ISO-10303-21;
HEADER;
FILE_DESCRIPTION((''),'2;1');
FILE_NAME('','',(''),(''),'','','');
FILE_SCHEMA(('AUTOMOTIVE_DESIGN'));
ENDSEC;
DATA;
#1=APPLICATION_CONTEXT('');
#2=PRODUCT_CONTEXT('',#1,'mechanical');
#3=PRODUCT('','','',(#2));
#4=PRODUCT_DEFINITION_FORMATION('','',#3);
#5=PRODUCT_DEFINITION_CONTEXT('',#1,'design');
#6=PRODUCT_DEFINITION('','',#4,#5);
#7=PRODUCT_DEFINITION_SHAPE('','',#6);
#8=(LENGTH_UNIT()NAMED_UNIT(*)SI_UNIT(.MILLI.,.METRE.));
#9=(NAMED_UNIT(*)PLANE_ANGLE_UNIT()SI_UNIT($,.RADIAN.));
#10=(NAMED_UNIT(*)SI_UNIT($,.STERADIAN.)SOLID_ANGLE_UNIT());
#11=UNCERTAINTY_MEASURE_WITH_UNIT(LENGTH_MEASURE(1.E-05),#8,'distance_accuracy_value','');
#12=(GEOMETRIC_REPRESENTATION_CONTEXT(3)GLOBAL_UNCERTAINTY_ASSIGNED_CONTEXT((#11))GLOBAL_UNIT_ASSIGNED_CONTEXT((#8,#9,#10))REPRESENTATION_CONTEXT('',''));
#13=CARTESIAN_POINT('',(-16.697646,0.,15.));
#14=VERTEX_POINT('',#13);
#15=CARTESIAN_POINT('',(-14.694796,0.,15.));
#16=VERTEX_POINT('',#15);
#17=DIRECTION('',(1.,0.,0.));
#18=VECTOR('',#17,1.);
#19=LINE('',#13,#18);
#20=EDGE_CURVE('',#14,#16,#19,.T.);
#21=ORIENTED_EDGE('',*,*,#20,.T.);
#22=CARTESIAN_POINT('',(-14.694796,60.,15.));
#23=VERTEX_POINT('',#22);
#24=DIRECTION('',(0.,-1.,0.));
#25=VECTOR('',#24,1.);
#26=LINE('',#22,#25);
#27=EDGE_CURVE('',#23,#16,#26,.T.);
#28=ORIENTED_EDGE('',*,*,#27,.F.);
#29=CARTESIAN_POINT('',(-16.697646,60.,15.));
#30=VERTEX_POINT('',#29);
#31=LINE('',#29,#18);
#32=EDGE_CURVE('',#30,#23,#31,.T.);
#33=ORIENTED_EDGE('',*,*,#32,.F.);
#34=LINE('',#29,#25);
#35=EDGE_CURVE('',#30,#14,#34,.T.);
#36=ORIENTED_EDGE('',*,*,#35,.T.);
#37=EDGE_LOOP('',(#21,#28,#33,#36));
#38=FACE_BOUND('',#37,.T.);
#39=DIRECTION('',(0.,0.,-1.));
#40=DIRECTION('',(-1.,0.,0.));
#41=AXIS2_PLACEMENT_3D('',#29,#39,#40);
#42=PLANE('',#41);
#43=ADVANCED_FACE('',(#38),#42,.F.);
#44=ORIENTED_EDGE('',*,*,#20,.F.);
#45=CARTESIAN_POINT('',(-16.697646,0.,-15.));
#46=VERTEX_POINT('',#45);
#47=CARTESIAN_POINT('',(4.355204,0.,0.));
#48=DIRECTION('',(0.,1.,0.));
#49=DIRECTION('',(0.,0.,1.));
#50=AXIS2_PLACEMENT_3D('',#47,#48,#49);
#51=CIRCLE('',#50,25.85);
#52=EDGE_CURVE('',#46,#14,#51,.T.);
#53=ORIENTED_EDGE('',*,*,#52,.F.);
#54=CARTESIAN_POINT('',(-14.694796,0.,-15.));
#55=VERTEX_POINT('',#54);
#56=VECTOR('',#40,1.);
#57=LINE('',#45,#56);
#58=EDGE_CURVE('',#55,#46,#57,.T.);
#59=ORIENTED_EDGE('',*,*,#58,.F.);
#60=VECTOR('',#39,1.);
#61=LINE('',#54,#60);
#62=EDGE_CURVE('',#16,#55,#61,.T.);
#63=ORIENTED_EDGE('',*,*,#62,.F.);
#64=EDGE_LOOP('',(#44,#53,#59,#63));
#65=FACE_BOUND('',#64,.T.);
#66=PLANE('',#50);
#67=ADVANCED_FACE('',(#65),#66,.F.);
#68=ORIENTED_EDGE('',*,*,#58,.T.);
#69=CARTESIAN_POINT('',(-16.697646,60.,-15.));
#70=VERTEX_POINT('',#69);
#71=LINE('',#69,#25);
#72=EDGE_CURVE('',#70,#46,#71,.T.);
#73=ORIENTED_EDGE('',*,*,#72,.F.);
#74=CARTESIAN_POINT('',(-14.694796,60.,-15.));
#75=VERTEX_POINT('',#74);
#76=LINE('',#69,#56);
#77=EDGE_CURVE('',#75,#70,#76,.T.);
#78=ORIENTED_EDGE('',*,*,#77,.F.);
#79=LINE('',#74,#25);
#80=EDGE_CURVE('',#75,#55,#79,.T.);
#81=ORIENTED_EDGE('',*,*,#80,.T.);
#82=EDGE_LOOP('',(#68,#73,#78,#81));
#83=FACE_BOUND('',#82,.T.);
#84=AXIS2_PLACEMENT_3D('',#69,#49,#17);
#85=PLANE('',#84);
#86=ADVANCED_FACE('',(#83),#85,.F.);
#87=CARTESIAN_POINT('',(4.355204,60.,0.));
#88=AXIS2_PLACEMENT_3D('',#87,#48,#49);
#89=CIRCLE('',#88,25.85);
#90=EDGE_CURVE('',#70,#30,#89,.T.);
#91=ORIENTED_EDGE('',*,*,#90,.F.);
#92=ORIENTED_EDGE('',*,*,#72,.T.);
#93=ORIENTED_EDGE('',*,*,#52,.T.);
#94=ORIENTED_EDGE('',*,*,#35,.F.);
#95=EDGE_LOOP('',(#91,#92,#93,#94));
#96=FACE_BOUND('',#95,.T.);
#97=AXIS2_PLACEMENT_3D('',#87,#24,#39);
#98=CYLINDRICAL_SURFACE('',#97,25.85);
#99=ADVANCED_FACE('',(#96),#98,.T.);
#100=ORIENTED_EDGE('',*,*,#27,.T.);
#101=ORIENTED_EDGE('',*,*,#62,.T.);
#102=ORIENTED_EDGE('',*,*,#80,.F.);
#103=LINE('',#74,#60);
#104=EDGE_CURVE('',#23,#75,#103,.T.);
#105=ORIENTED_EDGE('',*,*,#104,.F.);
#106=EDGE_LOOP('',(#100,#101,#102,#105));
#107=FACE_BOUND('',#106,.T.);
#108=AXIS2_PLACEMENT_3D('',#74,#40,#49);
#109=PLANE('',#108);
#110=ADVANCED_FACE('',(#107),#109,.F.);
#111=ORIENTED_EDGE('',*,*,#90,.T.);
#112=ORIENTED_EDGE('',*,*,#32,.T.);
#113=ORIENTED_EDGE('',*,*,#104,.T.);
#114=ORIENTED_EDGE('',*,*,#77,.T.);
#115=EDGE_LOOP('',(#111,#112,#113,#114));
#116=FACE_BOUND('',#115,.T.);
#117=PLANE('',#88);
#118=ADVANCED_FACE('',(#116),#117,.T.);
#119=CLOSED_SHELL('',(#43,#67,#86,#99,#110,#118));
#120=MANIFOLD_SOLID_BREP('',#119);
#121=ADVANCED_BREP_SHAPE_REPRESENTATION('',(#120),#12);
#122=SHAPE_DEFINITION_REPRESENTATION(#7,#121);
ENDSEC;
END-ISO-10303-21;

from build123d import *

# Parameters (mm, degrees)
EXTRUDE_1_DEPTH = 60


with BuildPart() as part:
    # 草图1 → 凸台-拉伸1 (new body)
    with BuildSketch(Plane(origin=(0, 0, 0), x_dir=(1, 0, 0), z_dir=(0, 1, 0))):
        with BuildLine():
            Line((-16.697645828, 15), (-14.694795665, 15))
            Line((-14.694795665, 15), (-14.694795665, -15))
            Line((-14.694795665, -15), (-16.697645828, -15))
            ThreePointArc((-16.697645828, -15), (-21.494795665, 0), (-16.697645828, 15))
        make_face()
    extrude(amount=EXTRUDE_1_DEPTH)


solid = part.part
